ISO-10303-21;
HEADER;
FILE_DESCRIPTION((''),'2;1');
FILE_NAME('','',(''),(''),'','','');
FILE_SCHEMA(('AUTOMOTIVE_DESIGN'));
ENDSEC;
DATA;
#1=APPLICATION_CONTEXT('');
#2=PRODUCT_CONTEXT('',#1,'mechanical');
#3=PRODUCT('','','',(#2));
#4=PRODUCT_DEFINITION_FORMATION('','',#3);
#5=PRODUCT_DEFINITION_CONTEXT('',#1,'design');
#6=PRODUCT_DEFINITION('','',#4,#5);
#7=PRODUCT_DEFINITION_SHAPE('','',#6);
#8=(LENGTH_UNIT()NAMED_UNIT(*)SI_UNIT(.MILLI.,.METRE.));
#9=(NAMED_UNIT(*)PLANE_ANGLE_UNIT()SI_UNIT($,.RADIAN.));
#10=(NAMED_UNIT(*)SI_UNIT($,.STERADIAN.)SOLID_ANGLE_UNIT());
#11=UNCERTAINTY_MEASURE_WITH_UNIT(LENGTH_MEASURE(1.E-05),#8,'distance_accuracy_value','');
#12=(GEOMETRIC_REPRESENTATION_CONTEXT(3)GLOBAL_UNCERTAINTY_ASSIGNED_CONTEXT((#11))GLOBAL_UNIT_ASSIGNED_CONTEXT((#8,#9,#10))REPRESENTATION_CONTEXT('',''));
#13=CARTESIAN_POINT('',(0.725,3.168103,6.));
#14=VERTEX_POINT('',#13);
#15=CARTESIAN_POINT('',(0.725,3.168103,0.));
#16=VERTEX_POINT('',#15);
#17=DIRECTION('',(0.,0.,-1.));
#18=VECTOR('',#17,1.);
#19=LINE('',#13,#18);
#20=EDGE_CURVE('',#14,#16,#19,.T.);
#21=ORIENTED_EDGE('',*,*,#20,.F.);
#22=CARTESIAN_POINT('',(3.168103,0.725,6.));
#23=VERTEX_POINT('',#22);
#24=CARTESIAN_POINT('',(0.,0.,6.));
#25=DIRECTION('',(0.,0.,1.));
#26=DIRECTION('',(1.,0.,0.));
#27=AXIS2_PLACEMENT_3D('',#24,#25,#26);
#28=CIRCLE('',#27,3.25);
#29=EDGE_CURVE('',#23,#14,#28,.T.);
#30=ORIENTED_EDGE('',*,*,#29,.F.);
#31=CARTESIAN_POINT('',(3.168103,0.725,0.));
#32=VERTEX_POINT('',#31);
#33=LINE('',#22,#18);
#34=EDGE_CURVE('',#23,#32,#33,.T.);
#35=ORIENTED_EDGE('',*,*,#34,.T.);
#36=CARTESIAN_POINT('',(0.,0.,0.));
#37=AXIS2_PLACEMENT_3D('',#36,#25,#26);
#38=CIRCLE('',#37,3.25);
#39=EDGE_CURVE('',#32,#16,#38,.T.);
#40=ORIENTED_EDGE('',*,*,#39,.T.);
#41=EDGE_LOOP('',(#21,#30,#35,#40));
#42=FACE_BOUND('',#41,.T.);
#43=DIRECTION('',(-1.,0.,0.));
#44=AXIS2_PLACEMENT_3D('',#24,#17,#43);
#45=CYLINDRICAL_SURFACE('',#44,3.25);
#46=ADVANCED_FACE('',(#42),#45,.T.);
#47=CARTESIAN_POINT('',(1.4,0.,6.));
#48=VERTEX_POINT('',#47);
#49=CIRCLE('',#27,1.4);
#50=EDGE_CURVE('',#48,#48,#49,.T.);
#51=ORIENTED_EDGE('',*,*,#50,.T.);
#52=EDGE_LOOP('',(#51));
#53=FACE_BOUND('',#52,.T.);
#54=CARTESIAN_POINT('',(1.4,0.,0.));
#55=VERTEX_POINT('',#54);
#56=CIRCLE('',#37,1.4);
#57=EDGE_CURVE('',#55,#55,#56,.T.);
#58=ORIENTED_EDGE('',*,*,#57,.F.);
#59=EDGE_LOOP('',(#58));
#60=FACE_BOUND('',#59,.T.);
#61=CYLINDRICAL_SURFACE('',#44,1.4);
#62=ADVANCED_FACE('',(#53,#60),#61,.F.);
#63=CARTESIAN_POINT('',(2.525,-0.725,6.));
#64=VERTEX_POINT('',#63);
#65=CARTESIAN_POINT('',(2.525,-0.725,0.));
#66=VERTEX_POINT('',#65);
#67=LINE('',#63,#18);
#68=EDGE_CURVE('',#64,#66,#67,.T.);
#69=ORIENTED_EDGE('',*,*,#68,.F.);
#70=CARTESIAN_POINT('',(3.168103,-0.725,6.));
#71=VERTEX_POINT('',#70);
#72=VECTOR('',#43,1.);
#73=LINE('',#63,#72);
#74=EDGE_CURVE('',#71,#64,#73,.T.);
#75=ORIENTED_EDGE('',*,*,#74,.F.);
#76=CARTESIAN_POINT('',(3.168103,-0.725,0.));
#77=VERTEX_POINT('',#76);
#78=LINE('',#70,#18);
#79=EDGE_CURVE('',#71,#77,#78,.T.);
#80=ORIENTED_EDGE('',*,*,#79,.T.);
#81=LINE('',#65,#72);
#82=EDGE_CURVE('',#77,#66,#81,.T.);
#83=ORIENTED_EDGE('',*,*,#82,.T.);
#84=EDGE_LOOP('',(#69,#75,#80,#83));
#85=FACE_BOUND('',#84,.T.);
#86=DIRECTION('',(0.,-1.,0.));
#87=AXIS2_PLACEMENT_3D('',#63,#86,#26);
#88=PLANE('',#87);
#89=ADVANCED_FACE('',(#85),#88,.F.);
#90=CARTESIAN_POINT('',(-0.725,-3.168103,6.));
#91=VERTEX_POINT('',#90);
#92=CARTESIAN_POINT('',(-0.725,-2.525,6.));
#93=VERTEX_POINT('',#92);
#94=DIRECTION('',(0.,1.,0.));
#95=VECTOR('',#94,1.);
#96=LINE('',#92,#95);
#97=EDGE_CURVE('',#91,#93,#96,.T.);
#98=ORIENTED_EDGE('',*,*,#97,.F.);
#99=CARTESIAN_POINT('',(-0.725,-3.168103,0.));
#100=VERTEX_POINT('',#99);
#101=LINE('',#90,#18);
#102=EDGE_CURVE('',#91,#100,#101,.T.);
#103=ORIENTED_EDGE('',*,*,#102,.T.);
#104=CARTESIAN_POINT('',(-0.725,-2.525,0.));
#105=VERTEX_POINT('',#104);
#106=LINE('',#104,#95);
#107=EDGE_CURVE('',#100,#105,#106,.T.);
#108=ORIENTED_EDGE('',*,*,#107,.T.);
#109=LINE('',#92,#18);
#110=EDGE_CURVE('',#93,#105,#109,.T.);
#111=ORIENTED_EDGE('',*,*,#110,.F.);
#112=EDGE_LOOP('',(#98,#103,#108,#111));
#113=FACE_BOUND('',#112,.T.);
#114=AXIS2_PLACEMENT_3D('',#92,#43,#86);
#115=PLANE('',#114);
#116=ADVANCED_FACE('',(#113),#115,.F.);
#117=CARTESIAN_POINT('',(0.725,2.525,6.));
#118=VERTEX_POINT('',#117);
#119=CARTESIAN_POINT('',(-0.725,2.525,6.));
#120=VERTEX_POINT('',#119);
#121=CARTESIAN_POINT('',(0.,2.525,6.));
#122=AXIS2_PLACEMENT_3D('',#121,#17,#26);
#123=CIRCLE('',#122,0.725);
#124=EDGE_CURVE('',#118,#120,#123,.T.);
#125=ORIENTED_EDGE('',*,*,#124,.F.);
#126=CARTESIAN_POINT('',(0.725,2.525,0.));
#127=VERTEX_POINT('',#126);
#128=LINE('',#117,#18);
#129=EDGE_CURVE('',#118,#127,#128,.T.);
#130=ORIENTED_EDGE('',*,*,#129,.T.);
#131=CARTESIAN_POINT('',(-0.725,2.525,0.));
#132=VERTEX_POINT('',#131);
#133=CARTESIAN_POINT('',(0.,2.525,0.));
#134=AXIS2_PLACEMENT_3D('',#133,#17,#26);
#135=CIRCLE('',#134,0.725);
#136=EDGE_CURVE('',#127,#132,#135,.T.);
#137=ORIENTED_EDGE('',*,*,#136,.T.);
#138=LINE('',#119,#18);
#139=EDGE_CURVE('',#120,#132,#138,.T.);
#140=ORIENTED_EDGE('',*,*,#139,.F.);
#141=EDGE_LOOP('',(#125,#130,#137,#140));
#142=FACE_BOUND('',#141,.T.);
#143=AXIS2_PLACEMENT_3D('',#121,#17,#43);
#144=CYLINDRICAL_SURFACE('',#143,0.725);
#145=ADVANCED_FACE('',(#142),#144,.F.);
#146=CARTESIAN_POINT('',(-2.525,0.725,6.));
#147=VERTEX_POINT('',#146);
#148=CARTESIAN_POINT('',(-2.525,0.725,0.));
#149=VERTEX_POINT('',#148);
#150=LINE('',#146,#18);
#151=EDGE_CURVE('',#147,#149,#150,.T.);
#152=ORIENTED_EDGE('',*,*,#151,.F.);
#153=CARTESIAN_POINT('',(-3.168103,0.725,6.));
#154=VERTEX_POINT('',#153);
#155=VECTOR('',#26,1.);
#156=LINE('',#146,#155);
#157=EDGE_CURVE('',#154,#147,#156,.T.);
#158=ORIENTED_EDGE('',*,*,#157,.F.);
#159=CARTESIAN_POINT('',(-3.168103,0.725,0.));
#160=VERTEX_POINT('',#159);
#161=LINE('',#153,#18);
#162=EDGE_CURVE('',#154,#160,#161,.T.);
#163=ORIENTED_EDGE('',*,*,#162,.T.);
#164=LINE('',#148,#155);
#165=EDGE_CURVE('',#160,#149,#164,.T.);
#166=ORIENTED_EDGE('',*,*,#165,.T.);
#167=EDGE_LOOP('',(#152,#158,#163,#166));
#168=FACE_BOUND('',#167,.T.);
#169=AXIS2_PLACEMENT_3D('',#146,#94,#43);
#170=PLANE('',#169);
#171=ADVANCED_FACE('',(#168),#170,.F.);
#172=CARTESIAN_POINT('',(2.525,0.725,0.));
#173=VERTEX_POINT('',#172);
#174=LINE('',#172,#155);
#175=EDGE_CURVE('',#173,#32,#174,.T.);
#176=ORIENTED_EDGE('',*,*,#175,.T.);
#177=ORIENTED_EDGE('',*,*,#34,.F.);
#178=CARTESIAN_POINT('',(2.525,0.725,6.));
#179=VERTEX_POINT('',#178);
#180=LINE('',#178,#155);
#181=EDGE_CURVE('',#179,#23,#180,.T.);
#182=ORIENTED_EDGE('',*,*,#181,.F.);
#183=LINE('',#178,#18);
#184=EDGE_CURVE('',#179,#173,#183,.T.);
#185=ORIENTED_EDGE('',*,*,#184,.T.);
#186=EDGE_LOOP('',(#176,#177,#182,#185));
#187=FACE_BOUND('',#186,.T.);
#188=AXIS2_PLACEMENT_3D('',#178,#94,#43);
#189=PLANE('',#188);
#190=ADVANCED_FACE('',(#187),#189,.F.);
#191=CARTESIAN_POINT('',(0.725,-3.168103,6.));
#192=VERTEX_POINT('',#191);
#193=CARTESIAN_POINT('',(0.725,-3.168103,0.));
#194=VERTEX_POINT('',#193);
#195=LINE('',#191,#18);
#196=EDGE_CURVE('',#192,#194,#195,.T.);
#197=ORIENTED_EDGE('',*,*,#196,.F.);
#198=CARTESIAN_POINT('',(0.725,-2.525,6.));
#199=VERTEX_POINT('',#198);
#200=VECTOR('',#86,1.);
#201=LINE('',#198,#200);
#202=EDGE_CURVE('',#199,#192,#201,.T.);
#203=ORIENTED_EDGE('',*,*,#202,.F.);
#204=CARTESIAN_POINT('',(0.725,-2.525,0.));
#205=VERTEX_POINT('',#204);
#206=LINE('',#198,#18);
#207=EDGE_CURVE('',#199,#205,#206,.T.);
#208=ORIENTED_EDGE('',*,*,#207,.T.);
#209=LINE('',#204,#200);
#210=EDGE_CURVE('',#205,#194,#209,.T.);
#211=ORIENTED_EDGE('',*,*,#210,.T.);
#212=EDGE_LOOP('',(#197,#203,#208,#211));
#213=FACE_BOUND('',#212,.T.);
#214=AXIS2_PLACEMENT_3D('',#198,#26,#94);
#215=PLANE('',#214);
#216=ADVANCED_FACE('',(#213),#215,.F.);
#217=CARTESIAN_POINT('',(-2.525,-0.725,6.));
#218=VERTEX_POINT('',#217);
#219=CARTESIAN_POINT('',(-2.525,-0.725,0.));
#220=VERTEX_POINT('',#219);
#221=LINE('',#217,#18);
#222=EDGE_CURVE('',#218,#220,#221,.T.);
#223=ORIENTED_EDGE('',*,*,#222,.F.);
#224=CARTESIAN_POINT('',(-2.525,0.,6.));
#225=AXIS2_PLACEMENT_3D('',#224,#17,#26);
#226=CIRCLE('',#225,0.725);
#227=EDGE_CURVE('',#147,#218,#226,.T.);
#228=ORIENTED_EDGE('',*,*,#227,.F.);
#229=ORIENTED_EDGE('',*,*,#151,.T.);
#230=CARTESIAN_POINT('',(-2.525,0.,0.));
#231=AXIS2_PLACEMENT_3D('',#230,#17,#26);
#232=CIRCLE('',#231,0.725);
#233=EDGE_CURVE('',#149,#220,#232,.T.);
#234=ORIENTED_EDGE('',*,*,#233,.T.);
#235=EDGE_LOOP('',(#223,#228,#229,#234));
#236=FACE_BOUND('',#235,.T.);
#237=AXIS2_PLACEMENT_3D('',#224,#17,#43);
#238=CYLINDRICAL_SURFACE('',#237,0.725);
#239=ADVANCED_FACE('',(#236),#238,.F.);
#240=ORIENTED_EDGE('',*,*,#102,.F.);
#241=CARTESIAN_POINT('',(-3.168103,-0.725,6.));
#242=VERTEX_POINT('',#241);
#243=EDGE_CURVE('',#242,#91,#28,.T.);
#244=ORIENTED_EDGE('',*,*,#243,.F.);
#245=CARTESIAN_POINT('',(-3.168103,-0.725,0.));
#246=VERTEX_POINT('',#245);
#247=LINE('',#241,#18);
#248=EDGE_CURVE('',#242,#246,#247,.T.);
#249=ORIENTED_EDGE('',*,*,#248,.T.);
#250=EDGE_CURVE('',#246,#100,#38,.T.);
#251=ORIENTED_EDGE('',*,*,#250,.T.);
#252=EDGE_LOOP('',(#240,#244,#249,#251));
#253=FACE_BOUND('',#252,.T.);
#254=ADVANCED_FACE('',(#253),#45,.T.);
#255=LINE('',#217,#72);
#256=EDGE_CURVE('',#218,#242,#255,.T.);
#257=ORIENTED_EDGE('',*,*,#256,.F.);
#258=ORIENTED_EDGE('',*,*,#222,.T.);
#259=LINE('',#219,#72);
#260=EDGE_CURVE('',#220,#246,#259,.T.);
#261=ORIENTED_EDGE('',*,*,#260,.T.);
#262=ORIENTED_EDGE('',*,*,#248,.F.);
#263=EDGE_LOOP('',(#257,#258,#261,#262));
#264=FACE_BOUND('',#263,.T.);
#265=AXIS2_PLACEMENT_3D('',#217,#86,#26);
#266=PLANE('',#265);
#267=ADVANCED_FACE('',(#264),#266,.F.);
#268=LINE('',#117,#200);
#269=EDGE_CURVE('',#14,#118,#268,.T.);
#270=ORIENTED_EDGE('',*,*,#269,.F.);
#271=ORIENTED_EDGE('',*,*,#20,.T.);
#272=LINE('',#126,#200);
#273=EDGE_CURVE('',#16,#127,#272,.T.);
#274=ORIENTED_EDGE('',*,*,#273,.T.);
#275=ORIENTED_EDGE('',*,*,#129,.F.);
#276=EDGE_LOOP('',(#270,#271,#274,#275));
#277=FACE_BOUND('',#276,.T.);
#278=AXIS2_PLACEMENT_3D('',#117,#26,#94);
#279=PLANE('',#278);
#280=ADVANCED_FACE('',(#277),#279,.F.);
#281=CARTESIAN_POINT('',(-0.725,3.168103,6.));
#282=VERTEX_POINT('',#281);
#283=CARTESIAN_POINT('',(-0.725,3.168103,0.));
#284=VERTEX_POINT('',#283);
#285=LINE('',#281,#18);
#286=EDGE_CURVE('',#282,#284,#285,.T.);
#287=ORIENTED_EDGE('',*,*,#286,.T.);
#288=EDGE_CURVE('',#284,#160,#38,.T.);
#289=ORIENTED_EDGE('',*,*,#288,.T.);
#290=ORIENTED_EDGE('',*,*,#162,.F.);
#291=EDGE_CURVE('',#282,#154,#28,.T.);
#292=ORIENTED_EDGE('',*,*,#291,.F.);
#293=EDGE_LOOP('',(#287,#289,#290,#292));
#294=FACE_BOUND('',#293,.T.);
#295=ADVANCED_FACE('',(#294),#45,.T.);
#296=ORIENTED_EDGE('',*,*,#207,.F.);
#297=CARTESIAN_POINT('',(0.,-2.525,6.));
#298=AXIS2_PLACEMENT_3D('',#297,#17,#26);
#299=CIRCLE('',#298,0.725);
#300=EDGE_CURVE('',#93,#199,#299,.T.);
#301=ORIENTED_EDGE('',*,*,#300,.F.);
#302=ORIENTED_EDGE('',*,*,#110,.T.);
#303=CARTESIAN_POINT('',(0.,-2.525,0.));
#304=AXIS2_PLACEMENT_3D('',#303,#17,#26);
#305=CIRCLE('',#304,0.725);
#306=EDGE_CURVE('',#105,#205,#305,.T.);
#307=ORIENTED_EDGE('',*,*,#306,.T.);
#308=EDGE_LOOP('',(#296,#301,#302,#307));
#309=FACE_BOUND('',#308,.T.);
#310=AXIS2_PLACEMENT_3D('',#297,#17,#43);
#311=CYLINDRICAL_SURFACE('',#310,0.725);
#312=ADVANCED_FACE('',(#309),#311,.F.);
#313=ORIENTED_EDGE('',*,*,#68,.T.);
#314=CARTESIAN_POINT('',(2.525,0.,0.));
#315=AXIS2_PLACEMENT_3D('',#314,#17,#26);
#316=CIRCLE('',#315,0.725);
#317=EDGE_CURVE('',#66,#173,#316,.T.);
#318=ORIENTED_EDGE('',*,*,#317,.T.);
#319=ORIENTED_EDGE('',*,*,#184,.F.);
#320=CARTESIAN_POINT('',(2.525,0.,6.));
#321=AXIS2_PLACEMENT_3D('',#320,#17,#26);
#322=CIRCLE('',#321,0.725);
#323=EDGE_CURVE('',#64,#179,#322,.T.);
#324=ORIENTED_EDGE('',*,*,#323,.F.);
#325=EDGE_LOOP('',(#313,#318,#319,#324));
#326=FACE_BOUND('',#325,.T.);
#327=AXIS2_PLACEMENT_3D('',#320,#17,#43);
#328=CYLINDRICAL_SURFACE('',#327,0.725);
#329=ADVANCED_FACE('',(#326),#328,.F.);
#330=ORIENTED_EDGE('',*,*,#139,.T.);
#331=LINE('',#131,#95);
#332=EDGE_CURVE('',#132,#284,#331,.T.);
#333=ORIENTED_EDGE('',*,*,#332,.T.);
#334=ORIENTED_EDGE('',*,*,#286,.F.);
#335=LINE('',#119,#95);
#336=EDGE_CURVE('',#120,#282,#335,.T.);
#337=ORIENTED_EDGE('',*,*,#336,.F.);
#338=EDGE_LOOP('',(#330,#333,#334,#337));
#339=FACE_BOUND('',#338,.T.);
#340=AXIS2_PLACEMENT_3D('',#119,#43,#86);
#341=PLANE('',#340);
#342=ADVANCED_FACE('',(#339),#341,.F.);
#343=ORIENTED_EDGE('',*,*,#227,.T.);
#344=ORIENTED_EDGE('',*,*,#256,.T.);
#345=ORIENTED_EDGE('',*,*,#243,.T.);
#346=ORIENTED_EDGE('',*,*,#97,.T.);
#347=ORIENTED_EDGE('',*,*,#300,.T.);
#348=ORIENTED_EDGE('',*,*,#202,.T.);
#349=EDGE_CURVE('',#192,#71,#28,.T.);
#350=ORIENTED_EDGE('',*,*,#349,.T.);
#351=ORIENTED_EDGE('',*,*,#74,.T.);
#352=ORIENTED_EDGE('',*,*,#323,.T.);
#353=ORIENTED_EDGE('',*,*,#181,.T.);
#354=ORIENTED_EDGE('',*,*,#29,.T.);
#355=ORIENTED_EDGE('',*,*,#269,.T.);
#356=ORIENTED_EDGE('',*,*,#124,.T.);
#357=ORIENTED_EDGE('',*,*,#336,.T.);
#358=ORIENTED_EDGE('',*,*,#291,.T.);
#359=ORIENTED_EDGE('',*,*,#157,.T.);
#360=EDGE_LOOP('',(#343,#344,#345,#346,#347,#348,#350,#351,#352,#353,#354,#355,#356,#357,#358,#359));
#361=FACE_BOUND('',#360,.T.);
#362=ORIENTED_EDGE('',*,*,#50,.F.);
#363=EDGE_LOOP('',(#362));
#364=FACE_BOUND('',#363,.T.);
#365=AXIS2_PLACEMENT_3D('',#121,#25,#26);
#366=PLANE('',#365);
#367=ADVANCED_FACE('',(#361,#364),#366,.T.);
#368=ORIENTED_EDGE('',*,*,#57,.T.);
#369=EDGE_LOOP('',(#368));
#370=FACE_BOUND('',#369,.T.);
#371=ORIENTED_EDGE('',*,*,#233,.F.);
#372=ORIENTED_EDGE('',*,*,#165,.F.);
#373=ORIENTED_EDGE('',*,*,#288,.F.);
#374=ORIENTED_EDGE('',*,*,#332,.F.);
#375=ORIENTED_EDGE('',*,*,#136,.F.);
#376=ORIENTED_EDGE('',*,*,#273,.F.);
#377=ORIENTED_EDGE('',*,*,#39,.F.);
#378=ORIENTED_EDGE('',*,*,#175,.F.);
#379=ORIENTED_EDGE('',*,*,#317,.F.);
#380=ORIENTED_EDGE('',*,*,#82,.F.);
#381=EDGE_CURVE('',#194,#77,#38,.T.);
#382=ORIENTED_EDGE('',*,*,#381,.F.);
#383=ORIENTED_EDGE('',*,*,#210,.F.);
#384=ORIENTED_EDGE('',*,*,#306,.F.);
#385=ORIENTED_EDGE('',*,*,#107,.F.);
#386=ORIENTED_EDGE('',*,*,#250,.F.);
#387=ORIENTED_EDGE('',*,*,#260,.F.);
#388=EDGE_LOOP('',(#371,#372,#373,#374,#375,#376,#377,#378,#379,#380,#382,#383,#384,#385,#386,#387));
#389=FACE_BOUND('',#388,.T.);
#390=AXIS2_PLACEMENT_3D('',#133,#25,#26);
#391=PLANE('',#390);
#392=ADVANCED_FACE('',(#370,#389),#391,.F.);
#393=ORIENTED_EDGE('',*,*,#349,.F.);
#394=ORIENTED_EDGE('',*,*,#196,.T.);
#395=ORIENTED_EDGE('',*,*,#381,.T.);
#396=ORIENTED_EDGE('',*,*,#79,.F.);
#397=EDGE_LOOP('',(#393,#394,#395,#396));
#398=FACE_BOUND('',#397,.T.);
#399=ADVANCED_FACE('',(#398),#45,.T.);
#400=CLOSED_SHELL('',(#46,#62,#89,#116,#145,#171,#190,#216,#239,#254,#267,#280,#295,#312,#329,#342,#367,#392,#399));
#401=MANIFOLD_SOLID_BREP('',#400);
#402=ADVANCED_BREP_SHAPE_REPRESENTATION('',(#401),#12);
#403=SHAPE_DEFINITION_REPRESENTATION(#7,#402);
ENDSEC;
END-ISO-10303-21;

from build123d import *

# Parameters (mm, degrees)
ESQUISSE1_R        = 1.4
BOSS_EXTRU_2_DEPTH = 6


with BuildPart() as part:
    # Esquisse1 → Boss.-Extru.2 (new body)
    with BuildSketch(Plane.XY):
        with BuildLine():
            Line((-0.725, 2.525), (-0.725, 3.168102745))
            ThreePointArc((-0.725, 3.168102745), (-2.298097039, 2.298097039), (-3.168102745, 0.725))
            Line((-3.168102745, 0.725), (-2.525, 0.725))
            ThreePointArc((-2.525, 0.725), (-1.8, 0), (-2.525, -0.725))
            Line((-2.525, -0.725), (-3.168102745, -0.725))
            ThreePointArc((-3.168102745, -0.725), (-2.298097039, -2.298097039), (-0.725, -3.168102745))
            Line((-0.725, -3.168102745), (-0.725, -2.525))
            ThreePointArc((-0.725, -2.525), (0, -1.8), (0.725, -2.525))
            Line((0.725, -2.525), (0.725, -3.168102745))
            ThreePointArc((0.725, -3.168102745), (2.298097039, -2.298097039), (3.168102745, -0.725))
            Line((3.168102745, -0.725), (2.525, -0.725))
            ThreePointArc((2.525, -0.725), (1.8, 0), (2.525, 0.725))
            Line((2.525, 0.725), (3.168102745, 0.725))
            ThreePointArc((3.168102745, 0.725), (2.298097039, 2.298097039), (0.725, 3.168102745))
            Line((0.725, 3.168102745), (0.725, 2.525))
            ThreePointArc((0.725, 2.525), (0, 1.8), (-0.725, 2.525))
        make_face()
        Circle(ESQUISSE1_R, mode=Mode.SUBTRACT)
    extrude(amount=BOSS_EXTRU_2_DEPTH)


solid = part.part
